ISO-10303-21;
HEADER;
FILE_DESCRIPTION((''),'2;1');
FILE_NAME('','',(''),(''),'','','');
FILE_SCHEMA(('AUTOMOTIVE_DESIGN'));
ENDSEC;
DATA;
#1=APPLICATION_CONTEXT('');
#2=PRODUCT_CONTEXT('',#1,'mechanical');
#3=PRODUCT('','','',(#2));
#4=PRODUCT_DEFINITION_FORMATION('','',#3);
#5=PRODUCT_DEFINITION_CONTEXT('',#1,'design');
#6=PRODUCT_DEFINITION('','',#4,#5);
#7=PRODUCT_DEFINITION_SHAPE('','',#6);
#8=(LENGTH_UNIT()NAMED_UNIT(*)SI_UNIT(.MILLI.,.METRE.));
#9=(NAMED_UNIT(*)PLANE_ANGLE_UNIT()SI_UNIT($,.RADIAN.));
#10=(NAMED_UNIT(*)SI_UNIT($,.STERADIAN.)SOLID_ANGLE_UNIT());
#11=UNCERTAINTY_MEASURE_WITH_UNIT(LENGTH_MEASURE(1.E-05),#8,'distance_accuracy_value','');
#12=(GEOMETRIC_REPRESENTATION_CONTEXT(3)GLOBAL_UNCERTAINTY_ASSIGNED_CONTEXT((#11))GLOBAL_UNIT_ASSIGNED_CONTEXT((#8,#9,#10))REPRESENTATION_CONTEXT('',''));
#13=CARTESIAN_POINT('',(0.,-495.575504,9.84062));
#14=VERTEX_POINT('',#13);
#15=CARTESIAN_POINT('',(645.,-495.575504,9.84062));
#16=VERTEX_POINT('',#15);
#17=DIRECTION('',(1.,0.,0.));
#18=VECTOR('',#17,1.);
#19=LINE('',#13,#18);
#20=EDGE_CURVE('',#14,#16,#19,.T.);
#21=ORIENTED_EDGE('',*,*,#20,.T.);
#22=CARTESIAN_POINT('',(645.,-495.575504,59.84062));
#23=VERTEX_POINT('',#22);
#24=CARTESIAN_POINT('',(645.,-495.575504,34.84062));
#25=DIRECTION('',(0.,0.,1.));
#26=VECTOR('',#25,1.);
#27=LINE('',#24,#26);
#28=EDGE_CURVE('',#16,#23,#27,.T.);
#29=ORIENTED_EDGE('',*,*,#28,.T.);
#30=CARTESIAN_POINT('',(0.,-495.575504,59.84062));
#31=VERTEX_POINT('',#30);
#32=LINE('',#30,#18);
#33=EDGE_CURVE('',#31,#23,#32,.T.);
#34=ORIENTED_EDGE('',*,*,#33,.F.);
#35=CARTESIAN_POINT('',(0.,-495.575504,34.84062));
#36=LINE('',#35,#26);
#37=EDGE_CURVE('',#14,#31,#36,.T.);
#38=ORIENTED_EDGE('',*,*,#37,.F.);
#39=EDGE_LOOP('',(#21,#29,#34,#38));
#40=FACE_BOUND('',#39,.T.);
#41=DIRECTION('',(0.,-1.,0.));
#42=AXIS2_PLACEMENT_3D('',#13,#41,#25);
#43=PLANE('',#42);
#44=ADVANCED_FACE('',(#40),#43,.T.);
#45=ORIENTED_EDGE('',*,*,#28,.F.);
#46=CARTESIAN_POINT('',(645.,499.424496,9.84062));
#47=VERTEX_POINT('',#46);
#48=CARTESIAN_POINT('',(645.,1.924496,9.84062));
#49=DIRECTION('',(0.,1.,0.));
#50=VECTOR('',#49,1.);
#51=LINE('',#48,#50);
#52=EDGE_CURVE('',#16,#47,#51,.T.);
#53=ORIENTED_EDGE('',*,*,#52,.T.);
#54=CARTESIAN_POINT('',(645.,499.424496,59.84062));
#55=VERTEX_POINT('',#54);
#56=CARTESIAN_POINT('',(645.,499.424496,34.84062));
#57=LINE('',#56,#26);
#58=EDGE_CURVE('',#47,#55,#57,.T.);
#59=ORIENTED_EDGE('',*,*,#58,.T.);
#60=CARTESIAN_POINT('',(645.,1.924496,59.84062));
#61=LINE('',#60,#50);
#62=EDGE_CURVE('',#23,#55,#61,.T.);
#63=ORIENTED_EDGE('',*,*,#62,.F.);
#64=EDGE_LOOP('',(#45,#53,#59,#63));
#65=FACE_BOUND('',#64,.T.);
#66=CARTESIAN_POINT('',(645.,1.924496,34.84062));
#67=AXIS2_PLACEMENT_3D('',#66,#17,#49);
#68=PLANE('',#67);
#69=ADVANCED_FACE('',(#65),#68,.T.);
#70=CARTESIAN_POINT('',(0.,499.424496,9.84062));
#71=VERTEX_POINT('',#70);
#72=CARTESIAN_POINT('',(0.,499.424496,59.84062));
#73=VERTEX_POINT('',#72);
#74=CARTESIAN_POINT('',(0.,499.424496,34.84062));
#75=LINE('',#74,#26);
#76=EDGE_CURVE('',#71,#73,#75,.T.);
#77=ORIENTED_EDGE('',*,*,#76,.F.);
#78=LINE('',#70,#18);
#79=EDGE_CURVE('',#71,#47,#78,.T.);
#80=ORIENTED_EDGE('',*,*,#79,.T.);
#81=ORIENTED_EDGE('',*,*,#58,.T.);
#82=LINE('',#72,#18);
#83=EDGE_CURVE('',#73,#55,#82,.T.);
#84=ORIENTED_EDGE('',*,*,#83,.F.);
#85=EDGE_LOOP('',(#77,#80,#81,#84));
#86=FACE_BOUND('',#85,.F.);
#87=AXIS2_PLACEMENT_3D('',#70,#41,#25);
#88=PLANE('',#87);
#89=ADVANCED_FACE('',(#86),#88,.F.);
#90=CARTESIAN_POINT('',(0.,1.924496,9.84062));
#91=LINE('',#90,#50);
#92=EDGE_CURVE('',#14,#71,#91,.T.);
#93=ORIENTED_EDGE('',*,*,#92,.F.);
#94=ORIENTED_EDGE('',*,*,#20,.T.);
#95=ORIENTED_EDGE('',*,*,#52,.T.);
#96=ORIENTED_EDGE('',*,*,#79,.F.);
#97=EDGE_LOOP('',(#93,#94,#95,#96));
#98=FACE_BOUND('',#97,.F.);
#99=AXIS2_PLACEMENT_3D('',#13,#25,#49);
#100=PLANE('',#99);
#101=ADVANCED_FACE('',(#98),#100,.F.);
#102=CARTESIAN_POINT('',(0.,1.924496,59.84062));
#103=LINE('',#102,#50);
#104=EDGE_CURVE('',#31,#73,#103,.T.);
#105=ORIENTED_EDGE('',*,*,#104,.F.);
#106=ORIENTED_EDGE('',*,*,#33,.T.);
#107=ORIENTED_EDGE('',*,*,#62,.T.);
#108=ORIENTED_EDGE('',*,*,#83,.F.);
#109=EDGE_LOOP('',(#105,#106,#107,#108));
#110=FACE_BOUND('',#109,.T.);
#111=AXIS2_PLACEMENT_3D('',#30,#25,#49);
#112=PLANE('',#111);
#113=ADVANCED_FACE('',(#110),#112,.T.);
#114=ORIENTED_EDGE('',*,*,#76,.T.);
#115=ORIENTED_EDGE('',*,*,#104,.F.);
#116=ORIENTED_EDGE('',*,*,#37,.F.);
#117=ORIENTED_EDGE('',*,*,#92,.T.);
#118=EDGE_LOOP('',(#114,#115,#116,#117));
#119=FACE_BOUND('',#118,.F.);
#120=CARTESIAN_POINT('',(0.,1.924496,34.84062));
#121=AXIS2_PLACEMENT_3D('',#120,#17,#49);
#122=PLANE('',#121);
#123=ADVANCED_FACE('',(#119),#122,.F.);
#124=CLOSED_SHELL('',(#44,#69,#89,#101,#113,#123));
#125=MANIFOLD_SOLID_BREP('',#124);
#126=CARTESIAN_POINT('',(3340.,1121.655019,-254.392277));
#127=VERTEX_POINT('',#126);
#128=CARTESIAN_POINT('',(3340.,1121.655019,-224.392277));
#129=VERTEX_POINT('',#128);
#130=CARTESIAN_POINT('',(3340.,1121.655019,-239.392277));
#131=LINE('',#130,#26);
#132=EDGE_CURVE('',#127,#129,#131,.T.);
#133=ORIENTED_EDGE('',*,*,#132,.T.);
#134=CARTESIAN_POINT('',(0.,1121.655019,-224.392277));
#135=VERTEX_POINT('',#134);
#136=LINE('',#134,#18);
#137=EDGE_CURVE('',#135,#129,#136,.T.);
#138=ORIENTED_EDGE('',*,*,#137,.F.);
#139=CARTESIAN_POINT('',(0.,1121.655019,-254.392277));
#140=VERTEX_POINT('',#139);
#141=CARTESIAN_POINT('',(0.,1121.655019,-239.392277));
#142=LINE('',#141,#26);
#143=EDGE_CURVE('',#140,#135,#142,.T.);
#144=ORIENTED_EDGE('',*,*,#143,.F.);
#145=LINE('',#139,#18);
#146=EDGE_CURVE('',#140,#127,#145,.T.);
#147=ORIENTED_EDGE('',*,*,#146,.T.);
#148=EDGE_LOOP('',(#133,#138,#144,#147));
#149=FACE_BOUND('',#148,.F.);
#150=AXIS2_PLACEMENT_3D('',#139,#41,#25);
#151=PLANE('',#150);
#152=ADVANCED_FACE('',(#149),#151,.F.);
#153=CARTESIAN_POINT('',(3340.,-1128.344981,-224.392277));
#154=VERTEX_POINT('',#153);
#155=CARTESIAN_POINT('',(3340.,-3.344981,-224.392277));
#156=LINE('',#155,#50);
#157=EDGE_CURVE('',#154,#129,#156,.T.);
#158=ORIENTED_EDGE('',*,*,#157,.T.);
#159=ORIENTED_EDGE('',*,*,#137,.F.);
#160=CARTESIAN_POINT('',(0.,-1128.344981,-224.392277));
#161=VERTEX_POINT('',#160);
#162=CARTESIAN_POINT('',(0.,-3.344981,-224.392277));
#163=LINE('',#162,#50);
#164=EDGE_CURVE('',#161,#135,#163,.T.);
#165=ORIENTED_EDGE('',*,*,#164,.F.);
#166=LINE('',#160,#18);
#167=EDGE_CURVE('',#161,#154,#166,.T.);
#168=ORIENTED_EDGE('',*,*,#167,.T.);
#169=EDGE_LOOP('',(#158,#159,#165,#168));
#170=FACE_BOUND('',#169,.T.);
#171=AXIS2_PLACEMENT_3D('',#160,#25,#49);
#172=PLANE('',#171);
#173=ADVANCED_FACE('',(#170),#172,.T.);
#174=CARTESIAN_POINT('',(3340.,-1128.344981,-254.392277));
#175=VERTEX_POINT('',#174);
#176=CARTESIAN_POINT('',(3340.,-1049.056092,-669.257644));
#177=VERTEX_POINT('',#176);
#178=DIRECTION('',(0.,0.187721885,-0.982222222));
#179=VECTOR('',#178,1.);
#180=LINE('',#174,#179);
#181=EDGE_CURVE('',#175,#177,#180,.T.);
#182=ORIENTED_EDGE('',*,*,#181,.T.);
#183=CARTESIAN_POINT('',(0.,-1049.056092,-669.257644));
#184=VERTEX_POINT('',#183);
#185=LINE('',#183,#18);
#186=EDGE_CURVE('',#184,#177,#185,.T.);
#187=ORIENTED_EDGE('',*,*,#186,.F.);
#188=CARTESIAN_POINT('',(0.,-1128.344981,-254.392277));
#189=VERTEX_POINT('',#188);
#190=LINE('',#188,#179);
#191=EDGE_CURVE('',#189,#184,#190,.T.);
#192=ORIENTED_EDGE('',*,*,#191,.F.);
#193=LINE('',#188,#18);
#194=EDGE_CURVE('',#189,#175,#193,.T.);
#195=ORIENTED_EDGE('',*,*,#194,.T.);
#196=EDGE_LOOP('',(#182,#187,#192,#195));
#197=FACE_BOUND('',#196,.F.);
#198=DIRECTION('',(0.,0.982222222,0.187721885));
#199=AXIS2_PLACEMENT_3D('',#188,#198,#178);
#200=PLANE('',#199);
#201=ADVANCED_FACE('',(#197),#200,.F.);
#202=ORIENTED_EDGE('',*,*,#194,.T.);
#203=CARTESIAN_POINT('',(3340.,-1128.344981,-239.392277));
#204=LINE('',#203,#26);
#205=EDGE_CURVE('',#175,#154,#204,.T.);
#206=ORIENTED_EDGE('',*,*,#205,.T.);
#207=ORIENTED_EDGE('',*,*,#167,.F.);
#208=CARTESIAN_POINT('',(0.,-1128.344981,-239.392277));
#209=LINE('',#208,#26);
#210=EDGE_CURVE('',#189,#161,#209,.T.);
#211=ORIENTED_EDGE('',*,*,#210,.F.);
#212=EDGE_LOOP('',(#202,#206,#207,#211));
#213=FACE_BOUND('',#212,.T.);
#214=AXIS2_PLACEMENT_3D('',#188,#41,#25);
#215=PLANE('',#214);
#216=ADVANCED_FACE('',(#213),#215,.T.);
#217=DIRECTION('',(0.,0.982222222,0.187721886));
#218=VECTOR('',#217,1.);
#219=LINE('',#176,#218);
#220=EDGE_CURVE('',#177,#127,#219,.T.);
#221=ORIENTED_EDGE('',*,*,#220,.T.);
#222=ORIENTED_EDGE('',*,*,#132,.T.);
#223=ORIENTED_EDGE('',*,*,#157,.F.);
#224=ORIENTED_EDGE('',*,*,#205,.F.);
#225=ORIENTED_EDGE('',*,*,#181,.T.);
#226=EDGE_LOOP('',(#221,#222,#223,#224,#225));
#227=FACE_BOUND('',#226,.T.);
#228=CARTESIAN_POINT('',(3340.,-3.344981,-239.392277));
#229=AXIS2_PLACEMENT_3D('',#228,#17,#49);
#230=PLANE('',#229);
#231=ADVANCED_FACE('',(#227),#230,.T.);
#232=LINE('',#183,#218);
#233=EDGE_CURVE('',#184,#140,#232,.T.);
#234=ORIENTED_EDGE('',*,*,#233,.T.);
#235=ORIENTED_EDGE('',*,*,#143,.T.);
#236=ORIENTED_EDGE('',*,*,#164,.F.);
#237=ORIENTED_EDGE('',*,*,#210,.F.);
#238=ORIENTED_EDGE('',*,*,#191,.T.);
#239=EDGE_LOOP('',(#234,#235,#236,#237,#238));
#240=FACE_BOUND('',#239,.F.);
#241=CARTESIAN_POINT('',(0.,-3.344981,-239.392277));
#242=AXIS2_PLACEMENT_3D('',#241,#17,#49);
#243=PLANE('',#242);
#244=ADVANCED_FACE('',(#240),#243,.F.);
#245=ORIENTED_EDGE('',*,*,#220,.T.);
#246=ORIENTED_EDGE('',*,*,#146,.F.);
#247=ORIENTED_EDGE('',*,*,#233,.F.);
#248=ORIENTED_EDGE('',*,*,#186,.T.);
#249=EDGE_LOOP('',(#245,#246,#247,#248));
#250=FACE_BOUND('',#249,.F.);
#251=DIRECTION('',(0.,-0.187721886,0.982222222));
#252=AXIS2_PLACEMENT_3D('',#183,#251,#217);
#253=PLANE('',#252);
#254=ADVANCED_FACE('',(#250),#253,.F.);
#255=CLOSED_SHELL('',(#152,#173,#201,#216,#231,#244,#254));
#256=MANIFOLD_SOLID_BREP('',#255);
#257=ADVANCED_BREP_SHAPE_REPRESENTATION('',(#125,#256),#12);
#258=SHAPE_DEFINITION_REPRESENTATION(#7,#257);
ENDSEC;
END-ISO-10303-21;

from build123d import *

# Parameters (mm, degrees)
F0_W     = 995
F0_H     = 50
F1_DEPTH = 645
F2_W     = 2250
F2_H     = 30
F3_DEPTH = 3340


with BuildPart() as f1:
    # F0 (on Right) → F1 (new body)
    with BuildSketch(Plane.YZ):
        with Locations((1.924496, 34.84062)):
            Rectangle(F0_W, F0_H)
    extrude(amount=F1_DEPTH)


with BuildPart() as f3:
    # F2 (on Right) → F3 (new body)
    with BuildSketch(Plane.YZ):
        with Locations((-3.344981, -239.392277)):
            Rectangle(F2_W, F2_H)
        Polygon((1121.655019, -254.392277), (-1128.344981, -254.392277), (-1049.056092, -669.257644), align=None)
    extrude(amount=F3_DEPTH)


solid = Compound([f1.part, f3.part])
